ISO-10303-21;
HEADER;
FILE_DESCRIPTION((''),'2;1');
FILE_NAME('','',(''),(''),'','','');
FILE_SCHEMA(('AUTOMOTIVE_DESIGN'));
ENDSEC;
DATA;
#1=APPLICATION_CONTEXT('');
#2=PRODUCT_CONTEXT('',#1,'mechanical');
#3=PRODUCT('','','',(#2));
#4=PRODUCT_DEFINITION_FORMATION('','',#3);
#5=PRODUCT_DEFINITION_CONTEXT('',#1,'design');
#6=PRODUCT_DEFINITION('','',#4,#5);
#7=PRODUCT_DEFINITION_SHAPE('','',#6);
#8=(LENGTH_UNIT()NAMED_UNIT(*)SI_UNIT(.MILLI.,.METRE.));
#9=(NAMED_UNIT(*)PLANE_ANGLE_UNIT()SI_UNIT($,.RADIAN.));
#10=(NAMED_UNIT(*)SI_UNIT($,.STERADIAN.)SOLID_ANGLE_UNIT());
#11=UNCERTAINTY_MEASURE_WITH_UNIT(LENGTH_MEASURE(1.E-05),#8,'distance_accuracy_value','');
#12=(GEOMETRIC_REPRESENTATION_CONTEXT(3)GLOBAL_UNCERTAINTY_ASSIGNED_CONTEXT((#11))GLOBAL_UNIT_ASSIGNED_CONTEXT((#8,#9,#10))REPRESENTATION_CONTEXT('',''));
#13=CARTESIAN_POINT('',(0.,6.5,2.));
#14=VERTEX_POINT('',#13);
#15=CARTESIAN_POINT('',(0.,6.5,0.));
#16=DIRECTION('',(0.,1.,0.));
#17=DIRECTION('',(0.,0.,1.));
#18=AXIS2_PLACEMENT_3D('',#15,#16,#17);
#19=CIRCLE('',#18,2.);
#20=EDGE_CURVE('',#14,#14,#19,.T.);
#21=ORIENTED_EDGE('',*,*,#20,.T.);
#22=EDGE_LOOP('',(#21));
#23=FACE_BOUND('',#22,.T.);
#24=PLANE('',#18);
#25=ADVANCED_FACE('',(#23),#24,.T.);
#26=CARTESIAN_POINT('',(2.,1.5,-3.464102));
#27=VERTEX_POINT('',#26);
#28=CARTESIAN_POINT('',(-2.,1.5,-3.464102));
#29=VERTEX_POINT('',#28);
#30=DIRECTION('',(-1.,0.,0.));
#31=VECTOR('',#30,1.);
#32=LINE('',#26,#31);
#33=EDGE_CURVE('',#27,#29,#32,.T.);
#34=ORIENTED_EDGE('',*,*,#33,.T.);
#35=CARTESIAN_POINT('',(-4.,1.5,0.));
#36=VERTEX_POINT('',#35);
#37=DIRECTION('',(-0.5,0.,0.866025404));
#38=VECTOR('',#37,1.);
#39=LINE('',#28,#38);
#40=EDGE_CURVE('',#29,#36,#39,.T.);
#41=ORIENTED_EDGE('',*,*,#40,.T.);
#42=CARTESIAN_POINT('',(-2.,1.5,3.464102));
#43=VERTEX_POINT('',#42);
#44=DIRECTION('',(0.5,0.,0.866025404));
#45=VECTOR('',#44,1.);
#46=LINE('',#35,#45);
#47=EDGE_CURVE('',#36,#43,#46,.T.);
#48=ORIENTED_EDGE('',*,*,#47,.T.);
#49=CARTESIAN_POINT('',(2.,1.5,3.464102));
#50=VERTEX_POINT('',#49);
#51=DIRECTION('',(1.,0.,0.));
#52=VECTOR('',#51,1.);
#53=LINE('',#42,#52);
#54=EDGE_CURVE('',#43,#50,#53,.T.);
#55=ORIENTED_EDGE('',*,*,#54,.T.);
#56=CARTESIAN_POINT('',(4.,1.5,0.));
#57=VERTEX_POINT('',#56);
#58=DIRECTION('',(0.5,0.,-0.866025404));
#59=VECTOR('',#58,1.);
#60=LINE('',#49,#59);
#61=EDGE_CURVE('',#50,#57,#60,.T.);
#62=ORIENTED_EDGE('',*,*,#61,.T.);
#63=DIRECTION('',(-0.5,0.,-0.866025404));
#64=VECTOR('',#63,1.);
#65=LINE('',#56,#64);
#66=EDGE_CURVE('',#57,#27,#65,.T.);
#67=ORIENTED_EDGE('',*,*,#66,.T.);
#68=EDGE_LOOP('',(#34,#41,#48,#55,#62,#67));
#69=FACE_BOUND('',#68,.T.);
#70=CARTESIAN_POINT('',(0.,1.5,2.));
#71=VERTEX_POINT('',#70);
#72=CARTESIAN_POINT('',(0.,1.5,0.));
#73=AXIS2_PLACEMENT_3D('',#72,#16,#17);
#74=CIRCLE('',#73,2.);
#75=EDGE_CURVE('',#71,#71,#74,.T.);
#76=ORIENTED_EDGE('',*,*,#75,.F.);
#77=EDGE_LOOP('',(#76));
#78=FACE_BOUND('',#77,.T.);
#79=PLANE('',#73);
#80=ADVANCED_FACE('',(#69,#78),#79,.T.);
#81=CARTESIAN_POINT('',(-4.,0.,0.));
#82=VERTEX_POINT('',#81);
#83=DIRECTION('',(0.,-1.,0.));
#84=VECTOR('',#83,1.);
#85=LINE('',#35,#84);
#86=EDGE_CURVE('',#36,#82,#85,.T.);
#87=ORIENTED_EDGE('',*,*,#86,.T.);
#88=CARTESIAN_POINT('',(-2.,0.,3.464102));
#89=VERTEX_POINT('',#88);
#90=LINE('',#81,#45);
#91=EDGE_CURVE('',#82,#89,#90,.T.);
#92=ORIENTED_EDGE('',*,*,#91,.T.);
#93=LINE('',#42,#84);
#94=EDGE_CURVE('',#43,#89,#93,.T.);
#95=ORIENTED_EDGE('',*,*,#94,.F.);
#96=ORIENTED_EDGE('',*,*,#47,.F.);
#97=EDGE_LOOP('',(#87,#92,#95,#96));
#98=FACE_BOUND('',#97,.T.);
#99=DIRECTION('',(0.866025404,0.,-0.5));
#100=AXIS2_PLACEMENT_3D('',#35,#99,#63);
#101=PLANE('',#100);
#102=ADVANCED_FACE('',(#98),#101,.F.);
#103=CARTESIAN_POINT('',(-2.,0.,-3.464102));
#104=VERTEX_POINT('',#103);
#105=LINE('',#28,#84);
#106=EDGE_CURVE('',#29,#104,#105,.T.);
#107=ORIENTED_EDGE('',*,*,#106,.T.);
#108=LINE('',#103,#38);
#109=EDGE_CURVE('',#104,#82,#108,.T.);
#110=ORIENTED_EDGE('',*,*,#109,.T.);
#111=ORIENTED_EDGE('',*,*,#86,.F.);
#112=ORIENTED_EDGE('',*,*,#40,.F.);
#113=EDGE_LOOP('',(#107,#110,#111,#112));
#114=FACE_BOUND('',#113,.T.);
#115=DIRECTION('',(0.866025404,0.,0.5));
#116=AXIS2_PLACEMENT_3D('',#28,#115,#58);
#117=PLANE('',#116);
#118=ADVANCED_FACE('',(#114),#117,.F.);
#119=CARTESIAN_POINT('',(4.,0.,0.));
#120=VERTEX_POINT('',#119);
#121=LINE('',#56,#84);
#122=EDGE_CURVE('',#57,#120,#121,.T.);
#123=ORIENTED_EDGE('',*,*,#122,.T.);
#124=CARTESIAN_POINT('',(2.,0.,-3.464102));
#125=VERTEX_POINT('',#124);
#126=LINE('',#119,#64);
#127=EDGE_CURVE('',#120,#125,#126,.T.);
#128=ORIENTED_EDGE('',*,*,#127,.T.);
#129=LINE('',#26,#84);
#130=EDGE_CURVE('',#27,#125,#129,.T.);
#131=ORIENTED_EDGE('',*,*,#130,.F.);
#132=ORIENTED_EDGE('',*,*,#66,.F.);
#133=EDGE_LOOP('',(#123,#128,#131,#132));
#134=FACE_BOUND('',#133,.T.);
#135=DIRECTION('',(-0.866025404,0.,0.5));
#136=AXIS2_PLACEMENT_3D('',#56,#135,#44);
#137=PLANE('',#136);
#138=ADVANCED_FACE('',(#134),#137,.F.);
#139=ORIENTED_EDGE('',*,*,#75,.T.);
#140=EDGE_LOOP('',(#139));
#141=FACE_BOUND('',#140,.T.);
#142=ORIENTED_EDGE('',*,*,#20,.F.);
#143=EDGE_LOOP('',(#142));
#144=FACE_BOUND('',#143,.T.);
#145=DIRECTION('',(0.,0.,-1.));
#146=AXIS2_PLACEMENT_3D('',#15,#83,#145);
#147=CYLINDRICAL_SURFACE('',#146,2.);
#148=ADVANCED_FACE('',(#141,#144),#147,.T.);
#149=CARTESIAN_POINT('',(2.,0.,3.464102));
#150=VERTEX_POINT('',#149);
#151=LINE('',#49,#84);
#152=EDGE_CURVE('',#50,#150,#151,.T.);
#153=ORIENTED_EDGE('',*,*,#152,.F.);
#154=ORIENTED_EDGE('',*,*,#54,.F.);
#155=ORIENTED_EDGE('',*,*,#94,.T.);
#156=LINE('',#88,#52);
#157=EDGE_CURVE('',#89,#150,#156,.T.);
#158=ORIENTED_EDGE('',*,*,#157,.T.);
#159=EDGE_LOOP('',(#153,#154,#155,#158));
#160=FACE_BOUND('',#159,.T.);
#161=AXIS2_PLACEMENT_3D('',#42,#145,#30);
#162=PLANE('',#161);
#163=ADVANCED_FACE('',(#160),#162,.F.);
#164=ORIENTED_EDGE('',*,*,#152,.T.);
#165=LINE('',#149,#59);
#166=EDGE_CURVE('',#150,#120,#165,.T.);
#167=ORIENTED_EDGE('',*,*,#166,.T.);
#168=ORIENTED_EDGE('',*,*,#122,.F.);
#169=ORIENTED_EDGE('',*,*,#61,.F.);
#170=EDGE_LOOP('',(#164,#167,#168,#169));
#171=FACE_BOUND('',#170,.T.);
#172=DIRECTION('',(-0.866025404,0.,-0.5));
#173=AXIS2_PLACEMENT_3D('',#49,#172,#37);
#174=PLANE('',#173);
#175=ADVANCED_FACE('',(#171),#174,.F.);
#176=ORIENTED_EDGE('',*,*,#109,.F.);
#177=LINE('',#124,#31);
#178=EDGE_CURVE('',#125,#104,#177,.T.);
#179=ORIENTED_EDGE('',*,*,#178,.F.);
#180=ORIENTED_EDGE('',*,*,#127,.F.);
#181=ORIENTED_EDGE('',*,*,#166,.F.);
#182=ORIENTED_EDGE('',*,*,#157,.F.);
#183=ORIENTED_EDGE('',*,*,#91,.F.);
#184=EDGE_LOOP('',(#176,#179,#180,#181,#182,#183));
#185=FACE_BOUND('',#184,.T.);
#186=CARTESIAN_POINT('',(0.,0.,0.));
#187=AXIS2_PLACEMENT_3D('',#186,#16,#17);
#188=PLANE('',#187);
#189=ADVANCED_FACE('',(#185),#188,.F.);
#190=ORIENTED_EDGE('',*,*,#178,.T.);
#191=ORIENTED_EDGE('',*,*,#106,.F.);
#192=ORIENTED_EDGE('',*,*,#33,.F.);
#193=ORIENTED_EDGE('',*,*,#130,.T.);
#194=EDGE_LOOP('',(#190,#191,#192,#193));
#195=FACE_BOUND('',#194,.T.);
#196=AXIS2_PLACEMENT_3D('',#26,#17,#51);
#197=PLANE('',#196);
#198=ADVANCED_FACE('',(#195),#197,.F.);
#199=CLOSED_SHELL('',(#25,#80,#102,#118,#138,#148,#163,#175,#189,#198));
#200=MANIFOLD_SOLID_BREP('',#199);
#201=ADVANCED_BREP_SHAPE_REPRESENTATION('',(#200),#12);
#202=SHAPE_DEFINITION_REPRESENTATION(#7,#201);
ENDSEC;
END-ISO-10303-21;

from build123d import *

# Parameters (mm, degrees)
EXTRUDE_1_DEPTH = 1.5
SKETCH_2_R      = 2
EXTRUDE_2_DEPTH = 5


with BuildPart() as part:
    # 草图1 → 凸台-拉伸1 (new body)
    with BuildSketch(Plane(origin=(0, 0, 0), x_dir=(1, 0, 0), z_dir=(0, 1, 0))):
        Polygon((4, 0), (2, 3.464101615), (-2, 3.464101615), (-4, 0), (-2, -3.464101615), (2, -3.464101615), align=None)
    extrude(amount=EXTRUDE_1_DEPTH)

    # 草图2 → 凸台-拉伸2 (add)
    with BuildSketch(Plane(origin=(0, 1.5, 0), x_dir=(1, 0, 0), z_dir=(0, 1, 0))):
        with Locations(Location((0, 0, 0), (0, 0, 270))):
            Circle(SKETCH_2_R)
    extrude(amount=EXTRUDE_2_DEPTH)


solid = part.part
